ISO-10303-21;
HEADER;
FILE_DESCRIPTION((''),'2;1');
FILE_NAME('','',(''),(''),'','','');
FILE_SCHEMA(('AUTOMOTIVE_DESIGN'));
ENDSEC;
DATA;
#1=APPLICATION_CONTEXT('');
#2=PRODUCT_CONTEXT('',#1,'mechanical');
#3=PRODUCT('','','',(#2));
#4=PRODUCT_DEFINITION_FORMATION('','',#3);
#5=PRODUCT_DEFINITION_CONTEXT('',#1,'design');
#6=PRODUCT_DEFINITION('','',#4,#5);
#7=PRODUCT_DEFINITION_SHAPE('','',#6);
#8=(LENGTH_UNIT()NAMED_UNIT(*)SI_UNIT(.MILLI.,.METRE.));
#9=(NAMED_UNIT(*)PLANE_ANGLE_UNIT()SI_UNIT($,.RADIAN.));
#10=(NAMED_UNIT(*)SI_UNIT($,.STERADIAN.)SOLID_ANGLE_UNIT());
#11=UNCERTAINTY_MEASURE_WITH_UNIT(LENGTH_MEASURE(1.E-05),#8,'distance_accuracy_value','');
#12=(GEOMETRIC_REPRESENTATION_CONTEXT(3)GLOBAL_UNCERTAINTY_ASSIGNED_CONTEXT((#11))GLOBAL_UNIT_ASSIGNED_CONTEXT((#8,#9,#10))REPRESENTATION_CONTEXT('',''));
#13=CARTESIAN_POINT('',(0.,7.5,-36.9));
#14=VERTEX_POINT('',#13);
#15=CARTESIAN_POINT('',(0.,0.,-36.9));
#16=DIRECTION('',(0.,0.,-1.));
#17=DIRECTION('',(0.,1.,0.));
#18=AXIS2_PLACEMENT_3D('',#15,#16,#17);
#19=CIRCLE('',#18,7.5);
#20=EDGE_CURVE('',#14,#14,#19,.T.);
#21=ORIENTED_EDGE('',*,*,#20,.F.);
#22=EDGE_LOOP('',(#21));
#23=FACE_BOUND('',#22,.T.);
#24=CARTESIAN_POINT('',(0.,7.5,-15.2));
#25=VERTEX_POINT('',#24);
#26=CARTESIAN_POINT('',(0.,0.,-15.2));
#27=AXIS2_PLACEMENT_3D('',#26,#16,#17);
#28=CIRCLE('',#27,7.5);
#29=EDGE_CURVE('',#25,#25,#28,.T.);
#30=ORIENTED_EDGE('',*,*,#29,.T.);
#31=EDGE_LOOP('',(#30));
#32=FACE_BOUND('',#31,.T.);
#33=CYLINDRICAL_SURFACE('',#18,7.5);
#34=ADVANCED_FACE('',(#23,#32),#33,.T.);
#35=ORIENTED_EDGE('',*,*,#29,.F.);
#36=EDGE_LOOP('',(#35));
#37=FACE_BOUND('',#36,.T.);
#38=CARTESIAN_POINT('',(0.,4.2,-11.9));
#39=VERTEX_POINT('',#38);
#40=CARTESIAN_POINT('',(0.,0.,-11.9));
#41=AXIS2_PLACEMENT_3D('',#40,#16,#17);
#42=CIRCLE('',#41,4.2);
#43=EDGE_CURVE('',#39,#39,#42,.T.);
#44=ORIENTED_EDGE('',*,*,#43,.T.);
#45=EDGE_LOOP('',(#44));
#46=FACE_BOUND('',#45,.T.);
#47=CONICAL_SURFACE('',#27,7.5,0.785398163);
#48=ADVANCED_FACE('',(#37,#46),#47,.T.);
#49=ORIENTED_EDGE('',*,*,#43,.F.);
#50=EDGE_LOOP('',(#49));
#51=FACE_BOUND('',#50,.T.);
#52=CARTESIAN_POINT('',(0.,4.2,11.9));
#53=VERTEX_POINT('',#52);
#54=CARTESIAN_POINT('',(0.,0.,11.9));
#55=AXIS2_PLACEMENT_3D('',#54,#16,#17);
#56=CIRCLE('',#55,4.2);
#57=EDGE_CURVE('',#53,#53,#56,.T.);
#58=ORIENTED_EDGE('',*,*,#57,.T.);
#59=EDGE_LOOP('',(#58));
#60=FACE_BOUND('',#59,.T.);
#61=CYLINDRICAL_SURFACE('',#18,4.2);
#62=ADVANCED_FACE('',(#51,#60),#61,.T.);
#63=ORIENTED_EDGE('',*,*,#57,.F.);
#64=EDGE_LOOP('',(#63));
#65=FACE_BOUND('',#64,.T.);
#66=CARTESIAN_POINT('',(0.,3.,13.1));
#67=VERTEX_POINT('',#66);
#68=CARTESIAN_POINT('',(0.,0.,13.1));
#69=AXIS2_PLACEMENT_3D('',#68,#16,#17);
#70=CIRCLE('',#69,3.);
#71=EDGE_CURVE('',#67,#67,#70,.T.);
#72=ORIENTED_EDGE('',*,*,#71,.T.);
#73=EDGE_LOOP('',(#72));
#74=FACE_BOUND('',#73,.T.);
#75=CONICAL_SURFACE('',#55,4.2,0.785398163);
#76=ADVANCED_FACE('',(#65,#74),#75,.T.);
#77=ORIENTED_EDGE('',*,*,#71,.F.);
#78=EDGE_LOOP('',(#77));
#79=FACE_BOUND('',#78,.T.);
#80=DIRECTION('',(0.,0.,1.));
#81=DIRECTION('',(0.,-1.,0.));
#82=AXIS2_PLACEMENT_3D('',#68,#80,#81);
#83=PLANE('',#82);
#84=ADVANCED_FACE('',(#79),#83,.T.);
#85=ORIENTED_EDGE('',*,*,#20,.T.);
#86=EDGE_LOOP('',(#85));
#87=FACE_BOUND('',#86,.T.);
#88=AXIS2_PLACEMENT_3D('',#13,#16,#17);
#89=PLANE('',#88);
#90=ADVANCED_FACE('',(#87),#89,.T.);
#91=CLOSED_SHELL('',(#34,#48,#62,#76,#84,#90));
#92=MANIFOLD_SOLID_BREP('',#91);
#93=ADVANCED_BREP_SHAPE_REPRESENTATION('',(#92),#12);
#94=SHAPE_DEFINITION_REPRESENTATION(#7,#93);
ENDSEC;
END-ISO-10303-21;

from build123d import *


with BuildPart() as part:
    # Esquisse1 → Révolution1 (revolve)
    with BuildSketch(Plane(origin=(0, 0, 0), x_dir=(0, 0, -1), z_dir=(1, 0, 0))):
        Polygon((36.9, 0), (-13.1, 0), (-13.1, 3), (-11.9, 4.2), (11.9, 4.2), (15.2, 7.5), (36.9, 7.5), align=None)
    revolve(axis=Axis((0, 0, -36.9), (0, 0, 1)))


solid = part.part
